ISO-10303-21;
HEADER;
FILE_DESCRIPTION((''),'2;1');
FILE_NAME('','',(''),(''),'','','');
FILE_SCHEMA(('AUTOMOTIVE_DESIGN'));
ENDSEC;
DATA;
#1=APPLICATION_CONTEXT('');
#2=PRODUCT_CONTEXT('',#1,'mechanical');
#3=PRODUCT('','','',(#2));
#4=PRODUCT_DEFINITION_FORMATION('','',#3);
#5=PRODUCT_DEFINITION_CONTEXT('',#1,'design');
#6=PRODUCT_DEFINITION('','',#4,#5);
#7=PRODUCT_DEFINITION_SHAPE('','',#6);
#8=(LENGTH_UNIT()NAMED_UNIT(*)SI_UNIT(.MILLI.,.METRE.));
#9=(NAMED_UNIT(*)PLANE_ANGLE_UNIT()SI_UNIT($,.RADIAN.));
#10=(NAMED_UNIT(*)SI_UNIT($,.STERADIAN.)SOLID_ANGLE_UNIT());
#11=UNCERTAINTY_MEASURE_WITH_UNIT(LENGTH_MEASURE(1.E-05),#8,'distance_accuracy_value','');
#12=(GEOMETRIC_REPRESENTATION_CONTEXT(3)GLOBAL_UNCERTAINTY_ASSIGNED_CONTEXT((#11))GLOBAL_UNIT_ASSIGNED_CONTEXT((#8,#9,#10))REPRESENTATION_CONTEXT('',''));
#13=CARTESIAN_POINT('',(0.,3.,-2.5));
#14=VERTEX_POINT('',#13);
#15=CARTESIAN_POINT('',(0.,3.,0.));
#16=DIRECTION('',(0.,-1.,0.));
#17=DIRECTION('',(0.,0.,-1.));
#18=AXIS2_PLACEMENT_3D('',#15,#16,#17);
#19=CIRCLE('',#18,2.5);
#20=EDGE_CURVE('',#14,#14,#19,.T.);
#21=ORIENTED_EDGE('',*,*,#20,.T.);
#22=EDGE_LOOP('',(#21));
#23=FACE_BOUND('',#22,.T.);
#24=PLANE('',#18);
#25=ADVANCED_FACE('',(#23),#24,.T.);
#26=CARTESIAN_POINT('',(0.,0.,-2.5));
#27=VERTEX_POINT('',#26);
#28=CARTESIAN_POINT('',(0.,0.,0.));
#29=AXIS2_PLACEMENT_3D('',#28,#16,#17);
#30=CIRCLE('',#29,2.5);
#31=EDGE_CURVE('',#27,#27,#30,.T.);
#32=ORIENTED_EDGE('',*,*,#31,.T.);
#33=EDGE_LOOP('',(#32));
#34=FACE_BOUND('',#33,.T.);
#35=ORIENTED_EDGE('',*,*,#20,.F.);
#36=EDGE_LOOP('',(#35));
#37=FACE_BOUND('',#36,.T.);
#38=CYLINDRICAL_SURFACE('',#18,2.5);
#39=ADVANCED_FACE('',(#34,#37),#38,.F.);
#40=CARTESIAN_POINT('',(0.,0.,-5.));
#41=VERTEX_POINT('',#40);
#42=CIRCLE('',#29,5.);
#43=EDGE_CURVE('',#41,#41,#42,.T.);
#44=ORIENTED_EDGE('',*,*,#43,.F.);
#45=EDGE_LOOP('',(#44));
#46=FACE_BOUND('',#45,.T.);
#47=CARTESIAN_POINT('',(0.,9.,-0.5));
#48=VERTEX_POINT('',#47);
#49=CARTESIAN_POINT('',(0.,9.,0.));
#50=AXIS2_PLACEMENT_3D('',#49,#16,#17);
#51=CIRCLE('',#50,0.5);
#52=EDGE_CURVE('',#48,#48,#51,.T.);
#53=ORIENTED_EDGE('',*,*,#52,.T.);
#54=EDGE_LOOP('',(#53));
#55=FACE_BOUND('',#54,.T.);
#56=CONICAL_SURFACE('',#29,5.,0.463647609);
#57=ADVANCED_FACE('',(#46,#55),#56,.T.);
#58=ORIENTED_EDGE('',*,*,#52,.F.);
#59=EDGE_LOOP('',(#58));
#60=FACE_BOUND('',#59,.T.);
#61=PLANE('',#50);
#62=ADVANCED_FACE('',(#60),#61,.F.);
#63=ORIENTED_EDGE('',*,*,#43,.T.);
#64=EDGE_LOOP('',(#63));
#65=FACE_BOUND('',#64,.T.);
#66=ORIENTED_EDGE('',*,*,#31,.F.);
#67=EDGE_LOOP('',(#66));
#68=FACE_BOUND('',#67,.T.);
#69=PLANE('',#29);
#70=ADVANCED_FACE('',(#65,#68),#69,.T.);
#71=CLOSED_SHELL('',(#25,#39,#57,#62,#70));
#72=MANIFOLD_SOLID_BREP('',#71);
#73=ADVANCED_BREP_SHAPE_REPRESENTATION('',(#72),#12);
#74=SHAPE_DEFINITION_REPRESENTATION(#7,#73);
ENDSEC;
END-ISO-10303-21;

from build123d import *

# Parameters (mm, degrees)
CUT_EXTRUDE_START   = -9
SKETCH_2_R          = 0.5
CUT_EXTRUDE_1_DEPTH = 10
SKETCH_3_R          = 2.5
CUT_EXTRUDE_2_DEPTH = 3


with BuildPart() as part:
    # 草图1 → 旋转1 (revolve)
    with BuildSketch(Plane.XY):
        Polygon((0, 0), (5, 0), (0, 10), align=None)
    revolve(axis=Axis((0, 0, 0), (0, 1, 0)))

    # 草图2 → 切除-拉伸1 (cut)
    with BuildSketch(Plane.XZ.offset(CUT_EXTRUDE_START)):
        Circle(SKETCH_2_R)
    extrude(amount=-CUT_EXTRUDE_1_DEPTH, mode=Mode.SUBTRACT)

    # 草图3 → 切除-拉伸2 (cut)
    with BuildSketch(Plane.XZ):
        Circle(SKETCH_3_R)
    extrude(amount=-CUT_EXTRUDE_2_DEPTH, mode=Mode.SUBTRACT)


solid = part.part
